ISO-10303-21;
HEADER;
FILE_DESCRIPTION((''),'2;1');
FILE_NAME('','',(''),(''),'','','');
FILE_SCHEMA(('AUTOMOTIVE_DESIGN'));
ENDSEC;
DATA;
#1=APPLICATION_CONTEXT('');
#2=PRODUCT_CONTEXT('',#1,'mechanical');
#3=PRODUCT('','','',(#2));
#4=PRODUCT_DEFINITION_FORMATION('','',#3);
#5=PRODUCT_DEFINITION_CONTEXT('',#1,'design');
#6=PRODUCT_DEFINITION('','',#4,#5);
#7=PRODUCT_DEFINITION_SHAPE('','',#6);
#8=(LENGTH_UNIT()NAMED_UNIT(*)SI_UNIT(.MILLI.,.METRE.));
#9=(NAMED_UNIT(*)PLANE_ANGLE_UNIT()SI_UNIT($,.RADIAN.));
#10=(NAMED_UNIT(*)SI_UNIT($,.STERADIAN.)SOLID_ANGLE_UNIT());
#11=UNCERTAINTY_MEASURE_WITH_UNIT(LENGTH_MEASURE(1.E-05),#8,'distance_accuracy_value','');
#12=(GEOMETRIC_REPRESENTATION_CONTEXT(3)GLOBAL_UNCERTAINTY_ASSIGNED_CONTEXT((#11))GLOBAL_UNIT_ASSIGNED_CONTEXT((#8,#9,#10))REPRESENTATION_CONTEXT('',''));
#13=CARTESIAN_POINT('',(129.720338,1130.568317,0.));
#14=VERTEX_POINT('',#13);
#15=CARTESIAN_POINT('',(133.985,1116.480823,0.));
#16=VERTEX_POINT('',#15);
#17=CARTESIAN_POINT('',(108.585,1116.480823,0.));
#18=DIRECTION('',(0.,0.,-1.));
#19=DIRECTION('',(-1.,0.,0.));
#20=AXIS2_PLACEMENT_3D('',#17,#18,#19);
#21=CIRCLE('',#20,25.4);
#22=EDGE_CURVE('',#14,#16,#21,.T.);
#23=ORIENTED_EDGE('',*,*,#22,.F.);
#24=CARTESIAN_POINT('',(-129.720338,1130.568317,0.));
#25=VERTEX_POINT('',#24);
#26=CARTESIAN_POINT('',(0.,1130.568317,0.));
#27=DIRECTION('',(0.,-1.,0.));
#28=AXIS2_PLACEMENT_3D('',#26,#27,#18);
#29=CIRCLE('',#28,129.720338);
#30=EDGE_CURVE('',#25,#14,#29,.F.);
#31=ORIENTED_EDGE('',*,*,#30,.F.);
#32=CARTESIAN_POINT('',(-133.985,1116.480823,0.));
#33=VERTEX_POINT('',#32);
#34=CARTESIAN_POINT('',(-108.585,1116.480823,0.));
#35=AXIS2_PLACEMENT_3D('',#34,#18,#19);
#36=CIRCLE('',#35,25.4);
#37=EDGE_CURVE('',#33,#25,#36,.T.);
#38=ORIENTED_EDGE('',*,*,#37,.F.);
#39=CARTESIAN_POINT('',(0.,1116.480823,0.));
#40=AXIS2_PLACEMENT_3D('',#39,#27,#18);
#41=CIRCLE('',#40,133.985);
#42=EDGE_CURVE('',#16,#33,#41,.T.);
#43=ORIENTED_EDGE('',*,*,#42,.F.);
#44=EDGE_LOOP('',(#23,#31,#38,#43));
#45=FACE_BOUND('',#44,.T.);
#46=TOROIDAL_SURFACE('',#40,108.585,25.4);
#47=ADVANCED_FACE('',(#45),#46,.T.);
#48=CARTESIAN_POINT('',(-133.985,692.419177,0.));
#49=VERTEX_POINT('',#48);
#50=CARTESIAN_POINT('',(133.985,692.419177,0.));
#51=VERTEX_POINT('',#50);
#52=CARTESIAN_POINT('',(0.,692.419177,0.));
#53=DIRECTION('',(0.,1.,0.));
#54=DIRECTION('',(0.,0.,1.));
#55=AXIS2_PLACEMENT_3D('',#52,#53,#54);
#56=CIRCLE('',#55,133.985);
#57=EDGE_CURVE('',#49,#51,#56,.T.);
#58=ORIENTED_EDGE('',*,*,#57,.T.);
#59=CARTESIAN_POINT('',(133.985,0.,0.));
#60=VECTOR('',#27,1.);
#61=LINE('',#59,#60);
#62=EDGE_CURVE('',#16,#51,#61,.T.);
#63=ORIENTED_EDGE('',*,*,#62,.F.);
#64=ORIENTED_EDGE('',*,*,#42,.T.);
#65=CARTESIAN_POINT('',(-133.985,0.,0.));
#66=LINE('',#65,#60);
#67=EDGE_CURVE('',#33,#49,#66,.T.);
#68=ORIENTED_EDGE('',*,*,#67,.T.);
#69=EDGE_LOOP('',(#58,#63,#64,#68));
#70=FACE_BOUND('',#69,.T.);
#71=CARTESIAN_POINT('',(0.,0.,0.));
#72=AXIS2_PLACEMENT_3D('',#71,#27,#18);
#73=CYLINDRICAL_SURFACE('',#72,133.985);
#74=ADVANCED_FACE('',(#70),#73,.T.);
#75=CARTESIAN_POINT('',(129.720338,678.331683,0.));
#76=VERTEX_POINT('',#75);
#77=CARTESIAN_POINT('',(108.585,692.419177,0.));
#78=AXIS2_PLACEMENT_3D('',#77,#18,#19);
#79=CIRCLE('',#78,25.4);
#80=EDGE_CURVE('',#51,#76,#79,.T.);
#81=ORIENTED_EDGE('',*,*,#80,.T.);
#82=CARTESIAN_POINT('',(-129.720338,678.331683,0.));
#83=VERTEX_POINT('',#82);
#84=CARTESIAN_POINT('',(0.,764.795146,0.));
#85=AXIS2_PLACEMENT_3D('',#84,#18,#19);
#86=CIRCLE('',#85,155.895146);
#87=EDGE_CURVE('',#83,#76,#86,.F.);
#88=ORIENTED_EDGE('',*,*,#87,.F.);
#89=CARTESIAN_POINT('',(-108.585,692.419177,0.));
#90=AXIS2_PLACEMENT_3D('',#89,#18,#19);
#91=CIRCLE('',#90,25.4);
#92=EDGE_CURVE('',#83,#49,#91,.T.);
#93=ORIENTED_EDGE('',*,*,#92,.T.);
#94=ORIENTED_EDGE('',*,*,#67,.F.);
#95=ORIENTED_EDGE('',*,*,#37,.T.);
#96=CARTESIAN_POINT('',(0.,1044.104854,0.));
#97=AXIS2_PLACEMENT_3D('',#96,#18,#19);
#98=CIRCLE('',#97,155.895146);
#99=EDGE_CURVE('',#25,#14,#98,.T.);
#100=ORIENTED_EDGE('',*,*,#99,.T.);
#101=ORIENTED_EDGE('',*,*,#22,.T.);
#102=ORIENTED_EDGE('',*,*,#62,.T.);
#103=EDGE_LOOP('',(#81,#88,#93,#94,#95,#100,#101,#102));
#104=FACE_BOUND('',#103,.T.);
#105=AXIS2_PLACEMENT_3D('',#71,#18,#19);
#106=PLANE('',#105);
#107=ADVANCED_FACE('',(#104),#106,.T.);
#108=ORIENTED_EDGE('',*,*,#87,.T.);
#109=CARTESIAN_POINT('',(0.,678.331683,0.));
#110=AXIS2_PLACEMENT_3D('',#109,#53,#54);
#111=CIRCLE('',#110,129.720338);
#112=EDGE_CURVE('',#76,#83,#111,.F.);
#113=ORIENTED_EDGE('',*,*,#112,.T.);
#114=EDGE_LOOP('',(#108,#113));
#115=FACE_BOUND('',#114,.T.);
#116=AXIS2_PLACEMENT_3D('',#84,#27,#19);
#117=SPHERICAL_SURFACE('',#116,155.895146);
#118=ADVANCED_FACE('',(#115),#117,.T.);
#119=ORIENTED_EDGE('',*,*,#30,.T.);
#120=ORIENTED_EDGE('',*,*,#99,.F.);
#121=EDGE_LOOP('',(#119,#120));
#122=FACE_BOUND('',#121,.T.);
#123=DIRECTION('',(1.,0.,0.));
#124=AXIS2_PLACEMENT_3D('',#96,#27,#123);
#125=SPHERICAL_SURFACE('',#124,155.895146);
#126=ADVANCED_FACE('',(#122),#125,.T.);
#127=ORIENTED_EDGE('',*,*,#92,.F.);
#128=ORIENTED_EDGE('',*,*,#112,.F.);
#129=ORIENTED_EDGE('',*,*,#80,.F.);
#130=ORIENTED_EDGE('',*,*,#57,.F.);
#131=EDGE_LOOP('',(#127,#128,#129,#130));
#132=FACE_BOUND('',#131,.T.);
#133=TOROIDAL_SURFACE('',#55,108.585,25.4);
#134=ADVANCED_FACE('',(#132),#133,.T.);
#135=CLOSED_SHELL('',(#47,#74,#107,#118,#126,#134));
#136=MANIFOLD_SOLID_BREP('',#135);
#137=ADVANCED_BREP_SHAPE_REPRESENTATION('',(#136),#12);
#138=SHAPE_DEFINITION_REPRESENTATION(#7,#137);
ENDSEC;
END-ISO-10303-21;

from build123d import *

# Parameters (mm, degrees)
REVOLVE2_ANGLE = 180
FILLET1_R      = 25.4


with BuildPart() as part:
    # Sketch1 → Revolve2 (revolve)
    with BuildSketch(Plane.XY):
        with BuildLine():
            ThreePointArc((0, 1196.825), (-75.121348346, 1177.071864985), (-130.81, 1122.922281449))
            Line((-130.81, 1122.922281449), (-130.81, 685.977718551))
            ThreePointArc((-130.81, 685.977718551), (-75.121348346, 631.828135015), (0, 612.075))
            Line((0, 612.075), (0, 608.9))
            ThreePointArc((0, 608.9), (-77.068833235, 629.282447395), (-133.985, 685.1))
            Line((-133.985, 685.1), (-133.985, 1123.8))
            ThreePointArc((-133.985, 1123.8), (-77.068833235, 1179.617552605), (0, 1200))
            Line((0, 1200), (0, 1196.825))
        make_face()
        with BuildLine():
            Line((0, 612.075), (0, 1196.825))
            ThreePointArc((0, 1196.825), (-75.121348346, 1177.071864985), (-130.81, 1122.922281449))
            Line((-130.81, 1122.922281449), (-130.81, 685.977718551))
            ThreePointArc((-130.81, 685.977718551), (-75.121348346, 631.828135015), (0, 612.075))
        make_face()
    revolve(axis=Axis((0, 0, 0), (0, 1, 0)), revolution_arc=REVOLVE2_ANGLE)

    # Fillet1
    fillet1_edges = [part.edges().sort_by_distance(p)[0] for p in [
        (0, 685.1, 133.985),
        (0, 1123.8, 133.985),
    ]]
    fillet(fillet1_edges, radius=FILLET1_R)


solid = part.part
